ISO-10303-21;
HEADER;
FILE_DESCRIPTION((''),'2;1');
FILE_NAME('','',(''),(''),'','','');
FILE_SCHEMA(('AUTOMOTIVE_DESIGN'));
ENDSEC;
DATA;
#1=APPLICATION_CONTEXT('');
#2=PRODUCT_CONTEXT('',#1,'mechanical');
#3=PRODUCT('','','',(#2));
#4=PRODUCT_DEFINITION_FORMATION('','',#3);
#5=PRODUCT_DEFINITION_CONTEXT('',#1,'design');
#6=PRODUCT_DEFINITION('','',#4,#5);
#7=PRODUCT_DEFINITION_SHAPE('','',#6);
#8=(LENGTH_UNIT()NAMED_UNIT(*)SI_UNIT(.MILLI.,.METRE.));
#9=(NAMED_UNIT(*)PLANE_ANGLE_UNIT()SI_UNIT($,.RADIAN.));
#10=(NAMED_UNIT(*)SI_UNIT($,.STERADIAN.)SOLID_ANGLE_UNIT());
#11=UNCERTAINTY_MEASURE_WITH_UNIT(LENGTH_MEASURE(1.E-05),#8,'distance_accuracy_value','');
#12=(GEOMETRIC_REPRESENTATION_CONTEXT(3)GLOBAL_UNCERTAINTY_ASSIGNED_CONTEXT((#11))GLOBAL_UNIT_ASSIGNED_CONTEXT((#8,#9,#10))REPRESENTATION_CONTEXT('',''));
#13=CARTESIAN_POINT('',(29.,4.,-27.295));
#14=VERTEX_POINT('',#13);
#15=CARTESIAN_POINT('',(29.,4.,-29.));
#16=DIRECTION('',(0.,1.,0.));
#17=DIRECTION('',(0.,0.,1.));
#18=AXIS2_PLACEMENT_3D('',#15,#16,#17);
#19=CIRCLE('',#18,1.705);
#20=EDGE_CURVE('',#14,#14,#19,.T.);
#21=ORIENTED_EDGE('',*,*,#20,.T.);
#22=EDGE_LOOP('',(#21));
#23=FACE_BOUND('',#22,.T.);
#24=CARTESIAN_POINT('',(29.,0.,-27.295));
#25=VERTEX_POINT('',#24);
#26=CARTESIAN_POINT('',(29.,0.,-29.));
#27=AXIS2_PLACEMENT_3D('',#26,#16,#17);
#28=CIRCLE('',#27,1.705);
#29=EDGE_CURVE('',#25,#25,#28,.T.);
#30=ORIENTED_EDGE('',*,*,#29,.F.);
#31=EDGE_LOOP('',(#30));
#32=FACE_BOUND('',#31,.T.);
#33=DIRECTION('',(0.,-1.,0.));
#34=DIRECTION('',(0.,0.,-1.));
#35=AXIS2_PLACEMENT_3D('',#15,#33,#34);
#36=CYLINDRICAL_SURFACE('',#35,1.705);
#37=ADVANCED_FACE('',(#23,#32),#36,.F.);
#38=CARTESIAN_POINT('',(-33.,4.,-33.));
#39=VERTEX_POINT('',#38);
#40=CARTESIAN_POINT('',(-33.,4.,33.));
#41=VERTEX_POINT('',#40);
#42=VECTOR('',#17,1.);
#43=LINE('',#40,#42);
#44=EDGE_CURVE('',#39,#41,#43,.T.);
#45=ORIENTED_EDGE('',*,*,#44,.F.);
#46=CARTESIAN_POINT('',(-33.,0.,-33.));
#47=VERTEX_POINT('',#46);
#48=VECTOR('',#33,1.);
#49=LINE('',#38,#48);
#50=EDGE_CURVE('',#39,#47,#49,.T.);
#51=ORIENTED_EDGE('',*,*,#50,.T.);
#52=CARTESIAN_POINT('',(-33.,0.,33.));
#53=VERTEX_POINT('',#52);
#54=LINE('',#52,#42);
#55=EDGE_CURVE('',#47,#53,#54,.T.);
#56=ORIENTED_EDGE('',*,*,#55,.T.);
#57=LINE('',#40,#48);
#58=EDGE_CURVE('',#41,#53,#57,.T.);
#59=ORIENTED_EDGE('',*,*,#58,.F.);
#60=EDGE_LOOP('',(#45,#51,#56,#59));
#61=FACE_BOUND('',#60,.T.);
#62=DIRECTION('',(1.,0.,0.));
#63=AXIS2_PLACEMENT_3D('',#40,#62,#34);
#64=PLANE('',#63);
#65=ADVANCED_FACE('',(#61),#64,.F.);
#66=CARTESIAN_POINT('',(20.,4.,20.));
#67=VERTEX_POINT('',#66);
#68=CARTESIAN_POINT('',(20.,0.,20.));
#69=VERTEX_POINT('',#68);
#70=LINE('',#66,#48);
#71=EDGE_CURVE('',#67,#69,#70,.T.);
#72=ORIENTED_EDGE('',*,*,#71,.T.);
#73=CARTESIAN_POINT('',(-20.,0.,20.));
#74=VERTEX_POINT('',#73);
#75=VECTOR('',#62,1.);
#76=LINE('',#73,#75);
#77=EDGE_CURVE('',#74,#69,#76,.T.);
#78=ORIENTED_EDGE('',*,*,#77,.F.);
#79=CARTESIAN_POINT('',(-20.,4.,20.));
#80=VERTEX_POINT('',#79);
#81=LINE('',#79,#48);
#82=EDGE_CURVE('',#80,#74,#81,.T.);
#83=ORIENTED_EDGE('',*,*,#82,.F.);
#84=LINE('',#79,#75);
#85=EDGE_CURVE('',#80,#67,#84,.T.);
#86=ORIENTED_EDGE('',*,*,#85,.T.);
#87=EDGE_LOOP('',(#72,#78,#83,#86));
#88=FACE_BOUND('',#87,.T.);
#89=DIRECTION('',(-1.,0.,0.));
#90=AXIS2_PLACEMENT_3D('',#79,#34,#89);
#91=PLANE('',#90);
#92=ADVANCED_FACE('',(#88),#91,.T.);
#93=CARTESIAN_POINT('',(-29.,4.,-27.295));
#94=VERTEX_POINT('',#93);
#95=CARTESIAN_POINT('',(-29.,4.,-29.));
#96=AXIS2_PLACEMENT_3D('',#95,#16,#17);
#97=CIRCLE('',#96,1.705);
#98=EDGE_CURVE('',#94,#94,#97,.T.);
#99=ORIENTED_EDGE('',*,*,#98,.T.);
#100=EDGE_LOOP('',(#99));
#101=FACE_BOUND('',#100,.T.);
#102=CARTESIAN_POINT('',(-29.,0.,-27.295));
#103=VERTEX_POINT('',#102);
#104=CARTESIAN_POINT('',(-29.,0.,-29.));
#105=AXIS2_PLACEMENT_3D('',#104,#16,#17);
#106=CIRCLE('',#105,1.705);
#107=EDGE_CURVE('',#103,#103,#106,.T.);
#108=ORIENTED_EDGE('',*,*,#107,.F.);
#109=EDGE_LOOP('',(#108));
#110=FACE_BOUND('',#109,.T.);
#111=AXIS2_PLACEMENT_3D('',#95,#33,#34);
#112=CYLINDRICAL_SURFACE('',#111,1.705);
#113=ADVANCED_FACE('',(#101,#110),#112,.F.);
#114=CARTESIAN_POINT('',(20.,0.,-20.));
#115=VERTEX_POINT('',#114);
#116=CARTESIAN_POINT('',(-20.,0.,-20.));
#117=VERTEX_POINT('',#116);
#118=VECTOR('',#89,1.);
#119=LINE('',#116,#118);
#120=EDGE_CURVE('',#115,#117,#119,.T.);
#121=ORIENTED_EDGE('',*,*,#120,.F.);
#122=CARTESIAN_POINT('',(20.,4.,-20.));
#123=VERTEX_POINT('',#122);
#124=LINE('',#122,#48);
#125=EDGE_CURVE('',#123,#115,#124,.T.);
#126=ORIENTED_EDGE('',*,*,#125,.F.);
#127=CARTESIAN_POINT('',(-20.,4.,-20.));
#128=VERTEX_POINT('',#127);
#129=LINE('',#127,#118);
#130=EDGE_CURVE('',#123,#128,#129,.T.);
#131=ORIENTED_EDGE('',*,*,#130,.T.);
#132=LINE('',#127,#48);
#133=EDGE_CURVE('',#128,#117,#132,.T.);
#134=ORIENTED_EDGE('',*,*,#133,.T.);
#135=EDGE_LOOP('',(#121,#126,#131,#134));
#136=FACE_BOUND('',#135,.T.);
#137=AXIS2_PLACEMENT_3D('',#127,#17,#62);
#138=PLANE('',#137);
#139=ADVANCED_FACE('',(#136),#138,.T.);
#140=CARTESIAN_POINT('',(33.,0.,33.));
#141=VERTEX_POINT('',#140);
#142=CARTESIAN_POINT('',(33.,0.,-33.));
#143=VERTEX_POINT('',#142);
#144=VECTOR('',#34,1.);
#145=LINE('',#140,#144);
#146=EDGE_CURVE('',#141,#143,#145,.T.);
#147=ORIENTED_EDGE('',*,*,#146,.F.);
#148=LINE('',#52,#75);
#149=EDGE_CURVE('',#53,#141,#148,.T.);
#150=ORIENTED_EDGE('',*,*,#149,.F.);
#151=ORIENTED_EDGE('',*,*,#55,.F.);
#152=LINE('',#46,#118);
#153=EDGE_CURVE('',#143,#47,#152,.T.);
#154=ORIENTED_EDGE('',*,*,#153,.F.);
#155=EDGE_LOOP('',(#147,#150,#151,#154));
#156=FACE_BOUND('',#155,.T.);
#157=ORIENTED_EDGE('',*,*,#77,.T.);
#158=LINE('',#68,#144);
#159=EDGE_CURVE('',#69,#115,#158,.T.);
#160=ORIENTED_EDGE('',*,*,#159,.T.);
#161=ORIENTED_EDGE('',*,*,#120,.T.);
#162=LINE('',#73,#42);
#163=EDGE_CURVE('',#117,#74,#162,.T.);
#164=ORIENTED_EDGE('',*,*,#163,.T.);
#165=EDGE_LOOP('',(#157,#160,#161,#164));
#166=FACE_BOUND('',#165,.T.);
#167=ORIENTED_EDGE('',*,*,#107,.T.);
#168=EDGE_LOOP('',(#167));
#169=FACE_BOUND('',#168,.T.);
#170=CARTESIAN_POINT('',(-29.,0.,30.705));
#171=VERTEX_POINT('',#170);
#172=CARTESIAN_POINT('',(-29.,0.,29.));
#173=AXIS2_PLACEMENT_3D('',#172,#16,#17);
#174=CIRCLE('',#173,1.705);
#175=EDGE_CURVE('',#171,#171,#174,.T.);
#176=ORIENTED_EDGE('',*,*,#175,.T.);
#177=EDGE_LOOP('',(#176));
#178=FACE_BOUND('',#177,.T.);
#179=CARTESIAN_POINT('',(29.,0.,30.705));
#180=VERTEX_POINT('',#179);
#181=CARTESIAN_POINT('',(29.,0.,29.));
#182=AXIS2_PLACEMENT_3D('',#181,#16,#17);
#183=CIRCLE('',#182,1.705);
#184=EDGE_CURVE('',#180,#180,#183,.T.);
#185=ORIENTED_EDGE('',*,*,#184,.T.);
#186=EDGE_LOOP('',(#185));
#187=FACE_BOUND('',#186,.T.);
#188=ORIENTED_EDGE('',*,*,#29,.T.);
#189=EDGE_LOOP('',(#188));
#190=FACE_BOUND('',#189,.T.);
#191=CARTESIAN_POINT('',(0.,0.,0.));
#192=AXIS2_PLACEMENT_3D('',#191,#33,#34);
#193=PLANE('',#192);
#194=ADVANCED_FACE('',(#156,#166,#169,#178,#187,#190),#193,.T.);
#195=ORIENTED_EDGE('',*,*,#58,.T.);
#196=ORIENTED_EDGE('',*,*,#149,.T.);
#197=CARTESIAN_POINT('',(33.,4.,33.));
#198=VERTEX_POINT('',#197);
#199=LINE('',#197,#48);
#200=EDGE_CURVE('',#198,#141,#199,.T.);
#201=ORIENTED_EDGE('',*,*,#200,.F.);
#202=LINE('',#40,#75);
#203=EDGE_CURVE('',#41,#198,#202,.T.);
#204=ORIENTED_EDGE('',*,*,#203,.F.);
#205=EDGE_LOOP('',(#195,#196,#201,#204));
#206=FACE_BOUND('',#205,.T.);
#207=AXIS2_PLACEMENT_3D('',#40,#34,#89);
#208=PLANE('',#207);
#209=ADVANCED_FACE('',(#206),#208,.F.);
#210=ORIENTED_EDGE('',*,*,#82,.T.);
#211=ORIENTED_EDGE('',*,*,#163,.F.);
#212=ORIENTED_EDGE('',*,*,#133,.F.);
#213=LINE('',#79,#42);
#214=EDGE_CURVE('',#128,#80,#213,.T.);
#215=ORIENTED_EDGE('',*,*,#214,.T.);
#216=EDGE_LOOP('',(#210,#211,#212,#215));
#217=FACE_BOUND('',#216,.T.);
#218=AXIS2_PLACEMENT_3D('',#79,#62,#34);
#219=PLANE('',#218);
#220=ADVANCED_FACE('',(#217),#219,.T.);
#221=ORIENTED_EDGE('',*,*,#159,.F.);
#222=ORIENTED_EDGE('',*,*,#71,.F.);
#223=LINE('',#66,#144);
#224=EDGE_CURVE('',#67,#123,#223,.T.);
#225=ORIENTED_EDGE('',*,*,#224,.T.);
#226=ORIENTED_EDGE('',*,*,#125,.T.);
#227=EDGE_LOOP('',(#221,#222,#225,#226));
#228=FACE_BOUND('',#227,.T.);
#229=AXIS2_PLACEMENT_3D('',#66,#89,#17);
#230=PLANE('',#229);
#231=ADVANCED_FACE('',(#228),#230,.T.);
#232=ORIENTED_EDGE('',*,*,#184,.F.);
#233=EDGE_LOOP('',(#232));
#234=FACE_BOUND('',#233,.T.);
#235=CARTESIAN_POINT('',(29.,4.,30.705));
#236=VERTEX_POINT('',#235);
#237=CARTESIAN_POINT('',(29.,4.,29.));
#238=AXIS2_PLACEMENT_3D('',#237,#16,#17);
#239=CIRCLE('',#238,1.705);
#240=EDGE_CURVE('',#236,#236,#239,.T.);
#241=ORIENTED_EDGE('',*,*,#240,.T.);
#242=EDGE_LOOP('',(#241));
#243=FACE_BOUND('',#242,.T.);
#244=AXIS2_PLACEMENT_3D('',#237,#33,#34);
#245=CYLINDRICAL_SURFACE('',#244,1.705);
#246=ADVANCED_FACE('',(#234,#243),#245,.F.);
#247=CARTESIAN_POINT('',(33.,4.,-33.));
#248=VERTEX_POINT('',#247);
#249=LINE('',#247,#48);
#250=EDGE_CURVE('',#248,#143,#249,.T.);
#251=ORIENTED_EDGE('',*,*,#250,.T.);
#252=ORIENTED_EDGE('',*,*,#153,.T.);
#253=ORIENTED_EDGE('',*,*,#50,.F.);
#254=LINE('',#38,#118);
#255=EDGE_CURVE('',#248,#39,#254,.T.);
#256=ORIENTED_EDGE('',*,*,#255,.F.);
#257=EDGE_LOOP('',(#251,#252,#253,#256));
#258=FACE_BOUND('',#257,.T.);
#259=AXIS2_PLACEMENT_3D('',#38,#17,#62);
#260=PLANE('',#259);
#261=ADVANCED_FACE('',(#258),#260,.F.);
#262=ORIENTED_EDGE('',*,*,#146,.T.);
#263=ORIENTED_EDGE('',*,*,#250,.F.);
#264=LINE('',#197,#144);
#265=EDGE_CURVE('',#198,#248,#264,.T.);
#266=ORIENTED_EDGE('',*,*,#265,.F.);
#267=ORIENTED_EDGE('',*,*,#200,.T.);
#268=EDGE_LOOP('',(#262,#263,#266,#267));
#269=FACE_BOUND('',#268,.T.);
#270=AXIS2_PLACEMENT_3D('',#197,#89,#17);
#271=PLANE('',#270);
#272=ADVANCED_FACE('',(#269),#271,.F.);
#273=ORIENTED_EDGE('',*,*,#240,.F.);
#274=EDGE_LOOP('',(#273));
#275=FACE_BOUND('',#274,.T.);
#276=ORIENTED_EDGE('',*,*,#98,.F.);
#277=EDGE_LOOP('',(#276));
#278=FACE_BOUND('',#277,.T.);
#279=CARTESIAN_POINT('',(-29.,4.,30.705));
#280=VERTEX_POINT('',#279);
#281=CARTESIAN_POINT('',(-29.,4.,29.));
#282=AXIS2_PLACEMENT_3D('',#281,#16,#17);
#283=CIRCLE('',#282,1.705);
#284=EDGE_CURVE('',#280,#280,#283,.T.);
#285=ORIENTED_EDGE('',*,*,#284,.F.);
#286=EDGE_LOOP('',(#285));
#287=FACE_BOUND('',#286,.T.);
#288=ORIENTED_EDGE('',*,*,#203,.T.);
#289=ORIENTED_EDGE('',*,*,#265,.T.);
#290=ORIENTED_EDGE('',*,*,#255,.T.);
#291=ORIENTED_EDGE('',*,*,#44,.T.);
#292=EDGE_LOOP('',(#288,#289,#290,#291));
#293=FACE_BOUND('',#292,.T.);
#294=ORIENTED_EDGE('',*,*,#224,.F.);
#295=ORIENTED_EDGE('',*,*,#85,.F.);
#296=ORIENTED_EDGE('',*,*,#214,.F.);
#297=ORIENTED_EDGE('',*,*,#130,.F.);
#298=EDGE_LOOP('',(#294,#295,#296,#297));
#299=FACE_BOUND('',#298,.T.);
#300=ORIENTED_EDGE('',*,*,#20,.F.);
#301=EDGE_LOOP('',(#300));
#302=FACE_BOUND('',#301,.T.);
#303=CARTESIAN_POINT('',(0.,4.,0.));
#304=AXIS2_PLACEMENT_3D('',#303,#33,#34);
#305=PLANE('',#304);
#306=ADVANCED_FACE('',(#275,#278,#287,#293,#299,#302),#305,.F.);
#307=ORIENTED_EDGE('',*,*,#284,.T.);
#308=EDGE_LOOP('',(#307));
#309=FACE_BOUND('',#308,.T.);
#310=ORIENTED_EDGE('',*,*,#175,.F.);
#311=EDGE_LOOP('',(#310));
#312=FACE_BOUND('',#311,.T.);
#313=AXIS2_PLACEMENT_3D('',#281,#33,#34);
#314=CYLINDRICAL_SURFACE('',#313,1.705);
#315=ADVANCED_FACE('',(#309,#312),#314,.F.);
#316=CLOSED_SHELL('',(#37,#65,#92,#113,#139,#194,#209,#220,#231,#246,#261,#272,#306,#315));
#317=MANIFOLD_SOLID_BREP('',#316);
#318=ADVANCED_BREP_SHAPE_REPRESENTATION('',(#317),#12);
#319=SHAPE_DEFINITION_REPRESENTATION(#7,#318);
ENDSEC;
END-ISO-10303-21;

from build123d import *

# Parameters (mm, degrees)
SKETCH1_W           = 66
SKETCH1_H           = 66
SKETCH1_R           = 1.705
SKETCH1_W_2         = 40
SKETCH1_H_2         = 40
BOSS_EXTRUDE1_DEPTH = 4


with BuildPart() as part:
    # Sketch1 → Boss-Extrude1 (new body)
    with BuildSketch(Plane(origin=(0, 0, 0), x_dir=(1, 0, 0), z_dir=(0, 1, 0))):
        Rectangle(SKETCH1_W, SKETCH1_H)
        with Locations(Location((-29, 29, 0), (0, 0, 270))):
            Circle(SKETCH1_R, mode=Mode.SUBTRACT)
        with Locations(Location((29, 29, 0), (0, 0, 270))):
            Circle(SKETCH1_R, mode=Mode.SUBTRACT)
        with Locations(Location((29, -29, 0), (0, 0, 270))):
            Circle(SKETCH1_R, mode=Mode.SUBTRACT)
        with Locations(Location((-29, -29, 0), (0, 0, 270))):
            Circle(SKETCH1_R, mode=Mode.SUBTRACT)
        Rectangle(SKETCH1_W_2, SKETCH1_H_2, mode=Mode.SUBTRACT)
    extrude(amount=BOSS_EXTRUDE1_DEPTH)


solid = part.part
